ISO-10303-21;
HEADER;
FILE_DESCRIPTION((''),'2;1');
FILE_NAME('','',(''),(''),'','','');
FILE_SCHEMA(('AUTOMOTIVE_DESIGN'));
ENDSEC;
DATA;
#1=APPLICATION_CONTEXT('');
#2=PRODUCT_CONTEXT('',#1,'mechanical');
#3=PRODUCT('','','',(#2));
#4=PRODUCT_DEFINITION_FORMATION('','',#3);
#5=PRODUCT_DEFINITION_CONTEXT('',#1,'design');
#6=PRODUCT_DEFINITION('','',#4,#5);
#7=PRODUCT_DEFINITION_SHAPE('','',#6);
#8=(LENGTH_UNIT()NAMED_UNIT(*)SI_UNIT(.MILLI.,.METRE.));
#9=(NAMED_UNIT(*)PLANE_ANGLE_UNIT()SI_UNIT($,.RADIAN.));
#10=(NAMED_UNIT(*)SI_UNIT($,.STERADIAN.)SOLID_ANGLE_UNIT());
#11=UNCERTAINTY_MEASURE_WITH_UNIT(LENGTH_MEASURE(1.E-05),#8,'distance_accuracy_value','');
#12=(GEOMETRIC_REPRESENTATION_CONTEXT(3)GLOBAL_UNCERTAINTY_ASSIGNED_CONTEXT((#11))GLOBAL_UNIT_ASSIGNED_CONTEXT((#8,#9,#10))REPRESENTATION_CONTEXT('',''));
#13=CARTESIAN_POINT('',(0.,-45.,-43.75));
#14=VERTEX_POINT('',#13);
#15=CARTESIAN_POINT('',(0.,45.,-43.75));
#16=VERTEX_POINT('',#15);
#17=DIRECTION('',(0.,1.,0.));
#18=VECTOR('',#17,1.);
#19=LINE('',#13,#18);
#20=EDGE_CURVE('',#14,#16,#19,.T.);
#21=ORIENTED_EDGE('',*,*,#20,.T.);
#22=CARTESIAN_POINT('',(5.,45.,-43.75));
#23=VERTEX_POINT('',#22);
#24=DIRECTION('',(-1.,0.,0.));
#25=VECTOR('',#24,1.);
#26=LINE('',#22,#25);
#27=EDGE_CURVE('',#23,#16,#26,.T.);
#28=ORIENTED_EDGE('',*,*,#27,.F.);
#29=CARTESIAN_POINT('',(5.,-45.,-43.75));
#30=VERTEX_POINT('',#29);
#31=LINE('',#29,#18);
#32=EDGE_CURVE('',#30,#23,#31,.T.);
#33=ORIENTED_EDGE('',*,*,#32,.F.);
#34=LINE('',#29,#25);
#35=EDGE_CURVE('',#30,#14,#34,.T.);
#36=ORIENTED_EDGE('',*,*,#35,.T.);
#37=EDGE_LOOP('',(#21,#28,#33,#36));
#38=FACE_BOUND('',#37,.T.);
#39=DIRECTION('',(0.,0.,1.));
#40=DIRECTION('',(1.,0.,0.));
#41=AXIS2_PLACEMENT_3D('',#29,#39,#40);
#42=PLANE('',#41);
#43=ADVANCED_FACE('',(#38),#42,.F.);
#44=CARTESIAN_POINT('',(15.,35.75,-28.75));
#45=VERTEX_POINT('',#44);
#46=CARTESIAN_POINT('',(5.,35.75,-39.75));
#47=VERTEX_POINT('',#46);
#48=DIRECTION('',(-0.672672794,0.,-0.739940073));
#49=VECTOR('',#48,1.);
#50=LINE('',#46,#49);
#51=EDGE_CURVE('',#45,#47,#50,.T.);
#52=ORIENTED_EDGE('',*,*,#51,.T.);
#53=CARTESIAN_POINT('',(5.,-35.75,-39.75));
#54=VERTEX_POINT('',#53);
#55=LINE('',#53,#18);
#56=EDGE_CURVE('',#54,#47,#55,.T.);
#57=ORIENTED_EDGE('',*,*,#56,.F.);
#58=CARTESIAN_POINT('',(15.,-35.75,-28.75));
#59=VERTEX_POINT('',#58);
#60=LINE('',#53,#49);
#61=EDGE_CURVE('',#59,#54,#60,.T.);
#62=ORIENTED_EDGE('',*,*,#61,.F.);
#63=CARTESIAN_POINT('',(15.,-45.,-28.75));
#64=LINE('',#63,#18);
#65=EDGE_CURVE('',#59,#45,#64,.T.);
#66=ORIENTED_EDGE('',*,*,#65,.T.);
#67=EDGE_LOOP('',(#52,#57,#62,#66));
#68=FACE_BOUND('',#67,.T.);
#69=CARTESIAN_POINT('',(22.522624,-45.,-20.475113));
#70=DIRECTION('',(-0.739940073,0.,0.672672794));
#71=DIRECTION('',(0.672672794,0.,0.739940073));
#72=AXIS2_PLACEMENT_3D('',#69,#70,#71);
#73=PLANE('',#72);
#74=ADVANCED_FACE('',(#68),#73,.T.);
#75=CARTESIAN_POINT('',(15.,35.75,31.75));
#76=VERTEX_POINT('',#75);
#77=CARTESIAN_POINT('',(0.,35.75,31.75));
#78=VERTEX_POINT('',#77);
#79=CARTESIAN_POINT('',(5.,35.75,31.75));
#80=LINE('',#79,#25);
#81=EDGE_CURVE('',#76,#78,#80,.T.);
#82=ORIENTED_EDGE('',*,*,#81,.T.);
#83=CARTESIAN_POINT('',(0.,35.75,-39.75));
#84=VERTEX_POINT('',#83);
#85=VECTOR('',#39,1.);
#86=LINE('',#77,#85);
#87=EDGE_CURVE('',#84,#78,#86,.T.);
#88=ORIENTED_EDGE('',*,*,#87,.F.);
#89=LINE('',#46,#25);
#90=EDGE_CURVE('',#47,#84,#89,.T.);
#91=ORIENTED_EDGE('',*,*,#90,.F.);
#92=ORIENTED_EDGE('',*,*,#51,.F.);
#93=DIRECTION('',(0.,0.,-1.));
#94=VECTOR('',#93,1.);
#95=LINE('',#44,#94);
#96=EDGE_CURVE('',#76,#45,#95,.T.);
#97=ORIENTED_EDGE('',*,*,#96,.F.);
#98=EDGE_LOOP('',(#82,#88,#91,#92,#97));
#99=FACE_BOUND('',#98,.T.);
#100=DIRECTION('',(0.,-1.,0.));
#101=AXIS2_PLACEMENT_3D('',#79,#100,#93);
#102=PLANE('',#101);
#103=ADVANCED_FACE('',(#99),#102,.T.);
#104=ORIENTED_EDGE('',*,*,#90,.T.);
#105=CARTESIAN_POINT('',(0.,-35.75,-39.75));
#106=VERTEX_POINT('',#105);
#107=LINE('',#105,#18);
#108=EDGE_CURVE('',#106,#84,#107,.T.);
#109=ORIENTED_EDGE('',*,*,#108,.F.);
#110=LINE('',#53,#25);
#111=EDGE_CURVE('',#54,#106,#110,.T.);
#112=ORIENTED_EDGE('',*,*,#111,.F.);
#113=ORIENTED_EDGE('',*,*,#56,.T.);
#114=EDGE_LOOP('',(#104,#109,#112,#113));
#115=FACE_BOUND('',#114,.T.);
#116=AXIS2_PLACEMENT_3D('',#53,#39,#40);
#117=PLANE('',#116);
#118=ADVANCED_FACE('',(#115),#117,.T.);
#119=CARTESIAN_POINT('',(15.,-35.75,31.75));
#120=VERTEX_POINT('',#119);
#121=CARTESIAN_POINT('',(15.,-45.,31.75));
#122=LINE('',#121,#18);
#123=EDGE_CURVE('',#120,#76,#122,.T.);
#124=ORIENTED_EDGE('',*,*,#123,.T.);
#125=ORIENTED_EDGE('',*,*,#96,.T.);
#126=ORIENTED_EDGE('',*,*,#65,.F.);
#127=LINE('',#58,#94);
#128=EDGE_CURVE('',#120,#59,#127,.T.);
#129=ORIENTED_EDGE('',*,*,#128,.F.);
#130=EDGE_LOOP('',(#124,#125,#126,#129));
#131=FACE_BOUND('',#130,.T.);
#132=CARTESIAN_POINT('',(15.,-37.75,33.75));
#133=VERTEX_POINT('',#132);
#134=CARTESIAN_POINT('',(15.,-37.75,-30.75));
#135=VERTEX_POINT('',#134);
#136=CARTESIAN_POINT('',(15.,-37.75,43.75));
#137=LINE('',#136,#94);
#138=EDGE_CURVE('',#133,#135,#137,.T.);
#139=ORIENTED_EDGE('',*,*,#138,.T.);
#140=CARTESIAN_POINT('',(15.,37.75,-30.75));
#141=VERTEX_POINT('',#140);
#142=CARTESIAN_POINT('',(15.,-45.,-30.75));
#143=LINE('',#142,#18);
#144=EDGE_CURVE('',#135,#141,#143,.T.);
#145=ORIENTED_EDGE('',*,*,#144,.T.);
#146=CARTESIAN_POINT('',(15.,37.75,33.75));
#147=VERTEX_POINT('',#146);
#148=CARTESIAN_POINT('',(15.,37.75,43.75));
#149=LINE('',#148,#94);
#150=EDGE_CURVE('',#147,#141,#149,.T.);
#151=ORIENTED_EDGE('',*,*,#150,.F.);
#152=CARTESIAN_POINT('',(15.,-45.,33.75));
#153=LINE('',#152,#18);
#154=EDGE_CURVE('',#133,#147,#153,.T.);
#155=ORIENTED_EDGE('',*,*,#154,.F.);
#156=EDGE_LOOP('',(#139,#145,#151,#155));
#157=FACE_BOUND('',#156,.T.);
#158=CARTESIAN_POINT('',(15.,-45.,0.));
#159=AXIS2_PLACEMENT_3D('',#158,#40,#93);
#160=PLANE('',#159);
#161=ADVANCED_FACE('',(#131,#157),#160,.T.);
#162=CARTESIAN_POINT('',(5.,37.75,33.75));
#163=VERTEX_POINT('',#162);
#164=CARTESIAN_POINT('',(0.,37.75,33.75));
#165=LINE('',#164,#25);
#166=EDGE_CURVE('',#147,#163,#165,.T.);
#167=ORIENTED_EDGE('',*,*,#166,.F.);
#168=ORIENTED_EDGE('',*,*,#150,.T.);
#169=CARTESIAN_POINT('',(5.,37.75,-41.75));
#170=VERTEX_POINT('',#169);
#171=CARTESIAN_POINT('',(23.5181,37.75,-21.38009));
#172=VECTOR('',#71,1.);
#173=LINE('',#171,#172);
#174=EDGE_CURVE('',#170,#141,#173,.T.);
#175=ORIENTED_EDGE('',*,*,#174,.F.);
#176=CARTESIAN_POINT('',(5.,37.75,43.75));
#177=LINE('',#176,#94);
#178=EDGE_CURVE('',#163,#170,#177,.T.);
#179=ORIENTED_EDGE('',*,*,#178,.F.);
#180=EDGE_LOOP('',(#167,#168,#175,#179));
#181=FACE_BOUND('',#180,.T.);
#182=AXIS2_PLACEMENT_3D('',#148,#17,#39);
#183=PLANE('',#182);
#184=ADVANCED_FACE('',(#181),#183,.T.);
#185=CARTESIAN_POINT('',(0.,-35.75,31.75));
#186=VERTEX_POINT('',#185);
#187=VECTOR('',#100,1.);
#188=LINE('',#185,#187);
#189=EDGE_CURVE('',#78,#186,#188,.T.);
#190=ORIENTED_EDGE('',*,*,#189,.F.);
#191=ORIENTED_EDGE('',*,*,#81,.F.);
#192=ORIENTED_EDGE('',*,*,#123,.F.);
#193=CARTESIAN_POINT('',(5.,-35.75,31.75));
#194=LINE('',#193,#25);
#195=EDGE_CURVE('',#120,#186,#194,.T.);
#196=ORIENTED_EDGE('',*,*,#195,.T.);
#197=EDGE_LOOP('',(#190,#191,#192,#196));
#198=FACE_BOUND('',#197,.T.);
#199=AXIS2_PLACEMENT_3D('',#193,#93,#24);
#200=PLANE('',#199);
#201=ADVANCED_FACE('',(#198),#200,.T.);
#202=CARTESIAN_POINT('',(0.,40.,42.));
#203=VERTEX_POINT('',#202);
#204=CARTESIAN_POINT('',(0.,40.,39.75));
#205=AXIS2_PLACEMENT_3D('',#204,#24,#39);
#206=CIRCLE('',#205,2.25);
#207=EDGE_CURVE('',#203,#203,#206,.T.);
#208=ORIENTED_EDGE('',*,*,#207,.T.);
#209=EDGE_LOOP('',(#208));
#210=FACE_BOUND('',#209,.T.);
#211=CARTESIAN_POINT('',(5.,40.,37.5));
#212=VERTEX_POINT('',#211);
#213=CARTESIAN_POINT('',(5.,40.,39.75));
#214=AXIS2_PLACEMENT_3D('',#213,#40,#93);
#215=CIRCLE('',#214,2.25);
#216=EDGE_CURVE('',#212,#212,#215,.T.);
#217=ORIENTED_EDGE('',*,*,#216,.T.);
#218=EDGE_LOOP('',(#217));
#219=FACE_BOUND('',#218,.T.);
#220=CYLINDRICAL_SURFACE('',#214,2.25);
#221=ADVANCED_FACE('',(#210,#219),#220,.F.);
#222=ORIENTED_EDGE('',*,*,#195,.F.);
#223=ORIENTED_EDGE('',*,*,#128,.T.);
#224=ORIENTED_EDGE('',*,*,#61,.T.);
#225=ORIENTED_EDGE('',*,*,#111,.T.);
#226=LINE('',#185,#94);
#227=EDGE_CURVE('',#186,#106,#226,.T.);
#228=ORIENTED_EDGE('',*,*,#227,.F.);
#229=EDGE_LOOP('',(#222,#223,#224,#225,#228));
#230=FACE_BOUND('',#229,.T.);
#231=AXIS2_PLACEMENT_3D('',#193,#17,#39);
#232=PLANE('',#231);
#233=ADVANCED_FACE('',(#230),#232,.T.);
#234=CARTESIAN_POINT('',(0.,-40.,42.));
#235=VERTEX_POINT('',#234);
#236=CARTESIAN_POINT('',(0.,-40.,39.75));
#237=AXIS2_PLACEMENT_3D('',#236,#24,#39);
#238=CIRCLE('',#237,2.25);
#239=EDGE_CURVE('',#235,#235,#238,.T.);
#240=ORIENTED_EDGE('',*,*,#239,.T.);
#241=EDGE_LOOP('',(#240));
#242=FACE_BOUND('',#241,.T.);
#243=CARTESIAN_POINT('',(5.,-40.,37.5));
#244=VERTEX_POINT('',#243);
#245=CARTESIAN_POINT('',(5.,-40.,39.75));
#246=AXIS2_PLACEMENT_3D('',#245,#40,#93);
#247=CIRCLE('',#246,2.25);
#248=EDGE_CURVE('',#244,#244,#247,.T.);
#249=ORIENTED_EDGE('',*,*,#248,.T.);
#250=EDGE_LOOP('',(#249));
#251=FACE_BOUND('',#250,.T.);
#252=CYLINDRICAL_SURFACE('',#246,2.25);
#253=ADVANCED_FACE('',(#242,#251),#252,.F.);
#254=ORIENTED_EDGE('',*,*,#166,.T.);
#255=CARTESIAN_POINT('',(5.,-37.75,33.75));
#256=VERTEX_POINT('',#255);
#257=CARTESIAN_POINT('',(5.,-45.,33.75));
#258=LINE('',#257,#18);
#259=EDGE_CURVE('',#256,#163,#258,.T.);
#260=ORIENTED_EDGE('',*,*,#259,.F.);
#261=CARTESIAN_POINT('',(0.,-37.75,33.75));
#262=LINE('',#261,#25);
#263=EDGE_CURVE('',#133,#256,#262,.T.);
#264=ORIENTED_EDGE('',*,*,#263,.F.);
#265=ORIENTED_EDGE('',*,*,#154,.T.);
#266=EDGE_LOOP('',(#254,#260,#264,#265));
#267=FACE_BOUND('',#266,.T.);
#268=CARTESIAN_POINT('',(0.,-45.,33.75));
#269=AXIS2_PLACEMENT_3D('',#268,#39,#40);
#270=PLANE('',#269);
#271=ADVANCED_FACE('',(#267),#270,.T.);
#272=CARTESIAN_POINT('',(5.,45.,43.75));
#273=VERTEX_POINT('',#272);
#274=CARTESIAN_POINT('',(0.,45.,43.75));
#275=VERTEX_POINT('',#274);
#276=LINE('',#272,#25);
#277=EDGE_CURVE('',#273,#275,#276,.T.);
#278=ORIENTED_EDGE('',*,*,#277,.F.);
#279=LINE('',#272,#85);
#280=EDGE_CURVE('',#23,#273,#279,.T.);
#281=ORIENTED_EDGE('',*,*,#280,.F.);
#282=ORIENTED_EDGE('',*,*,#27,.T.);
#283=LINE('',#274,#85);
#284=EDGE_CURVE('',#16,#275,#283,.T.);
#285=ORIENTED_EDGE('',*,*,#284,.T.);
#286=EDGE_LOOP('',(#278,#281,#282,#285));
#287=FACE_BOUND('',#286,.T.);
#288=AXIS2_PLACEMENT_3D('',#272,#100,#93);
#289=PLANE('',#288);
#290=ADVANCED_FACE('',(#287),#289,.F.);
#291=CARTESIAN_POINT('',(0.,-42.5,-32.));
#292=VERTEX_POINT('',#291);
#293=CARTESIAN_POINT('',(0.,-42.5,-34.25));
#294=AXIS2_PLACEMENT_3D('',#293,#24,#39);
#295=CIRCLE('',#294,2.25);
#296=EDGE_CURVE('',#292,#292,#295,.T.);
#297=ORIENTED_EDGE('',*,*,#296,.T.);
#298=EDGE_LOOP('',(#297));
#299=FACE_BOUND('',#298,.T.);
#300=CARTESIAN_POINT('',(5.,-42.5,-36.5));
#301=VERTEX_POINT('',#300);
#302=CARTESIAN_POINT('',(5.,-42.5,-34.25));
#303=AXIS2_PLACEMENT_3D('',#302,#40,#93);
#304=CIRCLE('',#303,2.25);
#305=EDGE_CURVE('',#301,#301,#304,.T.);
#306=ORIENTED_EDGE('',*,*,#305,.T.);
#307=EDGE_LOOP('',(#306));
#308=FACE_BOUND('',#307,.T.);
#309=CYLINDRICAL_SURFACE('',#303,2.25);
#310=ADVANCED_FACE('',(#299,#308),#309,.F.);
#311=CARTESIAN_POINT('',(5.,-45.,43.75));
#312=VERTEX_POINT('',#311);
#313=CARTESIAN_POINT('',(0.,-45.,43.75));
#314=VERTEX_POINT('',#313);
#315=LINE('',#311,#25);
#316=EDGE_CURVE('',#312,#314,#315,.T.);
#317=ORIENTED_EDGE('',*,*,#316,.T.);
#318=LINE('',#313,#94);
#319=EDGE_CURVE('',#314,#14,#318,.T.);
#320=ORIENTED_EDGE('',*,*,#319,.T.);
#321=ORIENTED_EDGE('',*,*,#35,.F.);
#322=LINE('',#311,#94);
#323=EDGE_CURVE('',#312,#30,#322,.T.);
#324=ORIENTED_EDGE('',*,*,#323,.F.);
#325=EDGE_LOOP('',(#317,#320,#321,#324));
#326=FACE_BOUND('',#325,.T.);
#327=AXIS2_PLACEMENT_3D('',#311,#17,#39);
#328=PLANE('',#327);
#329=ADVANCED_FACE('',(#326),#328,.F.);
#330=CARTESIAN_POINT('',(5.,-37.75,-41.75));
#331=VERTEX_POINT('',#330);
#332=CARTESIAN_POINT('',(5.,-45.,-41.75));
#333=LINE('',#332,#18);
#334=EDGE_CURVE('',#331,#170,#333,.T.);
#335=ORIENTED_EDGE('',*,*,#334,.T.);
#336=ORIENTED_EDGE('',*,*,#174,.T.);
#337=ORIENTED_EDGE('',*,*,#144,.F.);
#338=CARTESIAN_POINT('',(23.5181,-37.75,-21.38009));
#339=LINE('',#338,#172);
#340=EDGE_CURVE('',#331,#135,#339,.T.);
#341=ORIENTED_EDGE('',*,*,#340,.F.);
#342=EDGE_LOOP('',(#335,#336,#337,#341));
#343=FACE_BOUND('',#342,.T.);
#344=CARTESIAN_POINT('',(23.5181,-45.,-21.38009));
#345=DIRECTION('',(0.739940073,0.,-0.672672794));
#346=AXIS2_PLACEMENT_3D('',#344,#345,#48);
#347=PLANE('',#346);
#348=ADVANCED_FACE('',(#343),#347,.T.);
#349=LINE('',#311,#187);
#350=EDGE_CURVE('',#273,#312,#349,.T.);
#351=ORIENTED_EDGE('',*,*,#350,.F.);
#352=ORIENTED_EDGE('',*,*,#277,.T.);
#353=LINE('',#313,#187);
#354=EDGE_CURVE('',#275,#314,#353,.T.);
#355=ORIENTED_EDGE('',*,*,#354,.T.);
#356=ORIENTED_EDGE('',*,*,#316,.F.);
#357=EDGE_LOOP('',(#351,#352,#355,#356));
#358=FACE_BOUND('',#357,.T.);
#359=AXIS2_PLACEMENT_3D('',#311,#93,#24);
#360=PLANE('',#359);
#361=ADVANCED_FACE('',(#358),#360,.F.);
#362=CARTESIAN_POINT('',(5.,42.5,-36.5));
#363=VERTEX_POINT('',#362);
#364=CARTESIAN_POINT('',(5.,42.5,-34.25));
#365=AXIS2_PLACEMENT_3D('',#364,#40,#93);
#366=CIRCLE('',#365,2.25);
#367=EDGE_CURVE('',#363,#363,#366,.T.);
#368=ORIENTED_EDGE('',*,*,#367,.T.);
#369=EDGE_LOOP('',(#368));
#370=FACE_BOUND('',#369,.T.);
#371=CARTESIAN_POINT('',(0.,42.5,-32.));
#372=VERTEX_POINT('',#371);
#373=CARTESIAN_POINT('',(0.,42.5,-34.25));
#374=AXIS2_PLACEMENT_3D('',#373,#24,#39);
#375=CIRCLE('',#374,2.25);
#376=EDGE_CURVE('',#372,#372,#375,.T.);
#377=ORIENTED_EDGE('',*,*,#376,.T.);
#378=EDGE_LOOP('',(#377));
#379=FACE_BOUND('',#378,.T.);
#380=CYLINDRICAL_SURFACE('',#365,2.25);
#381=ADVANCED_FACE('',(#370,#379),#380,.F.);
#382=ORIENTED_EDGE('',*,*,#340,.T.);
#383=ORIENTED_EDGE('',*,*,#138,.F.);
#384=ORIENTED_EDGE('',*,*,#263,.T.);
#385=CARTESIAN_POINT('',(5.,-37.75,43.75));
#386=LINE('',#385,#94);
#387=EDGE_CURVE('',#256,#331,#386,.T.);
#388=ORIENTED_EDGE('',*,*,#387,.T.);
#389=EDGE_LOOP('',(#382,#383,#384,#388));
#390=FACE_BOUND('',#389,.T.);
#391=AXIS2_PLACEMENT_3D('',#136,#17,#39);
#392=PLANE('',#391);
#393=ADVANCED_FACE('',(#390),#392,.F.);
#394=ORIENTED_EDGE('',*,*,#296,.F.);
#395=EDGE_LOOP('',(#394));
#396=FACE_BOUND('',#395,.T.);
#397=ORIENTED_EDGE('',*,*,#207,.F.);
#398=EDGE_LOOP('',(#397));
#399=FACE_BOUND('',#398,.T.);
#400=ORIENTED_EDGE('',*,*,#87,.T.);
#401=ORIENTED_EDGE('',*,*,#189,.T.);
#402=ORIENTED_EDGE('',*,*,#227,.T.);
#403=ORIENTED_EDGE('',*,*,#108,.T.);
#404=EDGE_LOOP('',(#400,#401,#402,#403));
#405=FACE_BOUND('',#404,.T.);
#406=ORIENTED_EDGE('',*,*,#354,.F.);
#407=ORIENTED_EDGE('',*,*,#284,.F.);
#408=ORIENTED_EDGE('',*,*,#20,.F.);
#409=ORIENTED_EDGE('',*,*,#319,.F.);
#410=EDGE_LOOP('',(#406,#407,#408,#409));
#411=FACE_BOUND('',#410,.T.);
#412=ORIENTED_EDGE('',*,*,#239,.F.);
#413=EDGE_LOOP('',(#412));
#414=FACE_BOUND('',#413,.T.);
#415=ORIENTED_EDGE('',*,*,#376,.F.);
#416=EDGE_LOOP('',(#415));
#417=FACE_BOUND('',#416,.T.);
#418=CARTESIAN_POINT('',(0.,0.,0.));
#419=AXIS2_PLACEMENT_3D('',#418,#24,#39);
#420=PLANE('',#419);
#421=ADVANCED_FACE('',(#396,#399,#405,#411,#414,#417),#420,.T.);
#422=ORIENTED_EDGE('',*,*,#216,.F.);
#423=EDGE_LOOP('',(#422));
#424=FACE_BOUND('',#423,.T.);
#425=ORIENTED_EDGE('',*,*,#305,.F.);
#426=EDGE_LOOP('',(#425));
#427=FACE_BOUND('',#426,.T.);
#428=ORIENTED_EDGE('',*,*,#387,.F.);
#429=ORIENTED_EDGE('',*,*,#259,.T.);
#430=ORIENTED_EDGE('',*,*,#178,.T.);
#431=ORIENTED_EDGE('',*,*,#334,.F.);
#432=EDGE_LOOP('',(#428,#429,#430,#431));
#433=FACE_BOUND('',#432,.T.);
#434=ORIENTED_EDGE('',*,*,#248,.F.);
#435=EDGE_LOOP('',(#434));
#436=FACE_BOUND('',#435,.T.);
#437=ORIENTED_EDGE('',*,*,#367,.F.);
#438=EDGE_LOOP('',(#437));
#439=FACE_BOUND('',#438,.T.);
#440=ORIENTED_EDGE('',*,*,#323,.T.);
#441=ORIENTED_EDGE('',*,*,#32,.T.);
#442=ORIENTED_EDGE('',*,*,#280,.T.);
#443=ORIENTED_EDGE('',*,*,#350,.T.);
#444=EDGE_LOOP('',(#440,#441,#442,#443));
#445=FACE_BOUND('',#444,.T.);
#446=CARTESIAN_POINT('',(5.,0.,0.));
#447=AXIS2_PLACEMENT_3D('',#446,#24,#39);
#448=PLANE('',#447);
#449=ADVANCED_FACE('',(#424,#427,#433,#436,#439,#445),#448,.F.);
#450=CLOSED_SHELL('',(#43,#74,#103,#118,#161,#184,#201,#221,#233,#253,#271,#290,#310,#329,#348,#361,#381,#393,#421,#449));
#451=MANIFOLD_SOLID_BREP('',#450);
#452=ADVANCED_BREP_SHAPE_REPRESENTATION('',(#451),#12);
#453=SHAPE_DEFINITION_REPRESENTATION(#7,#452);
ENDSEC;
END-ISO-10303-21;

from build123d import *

# Parameters (mm, degrees)
SKETCH1_W                     = 87.5
SKETCH1_H                     = 90
SKETCH1_W_2                   = 71.5
SKETCH1_H_2                   = 71.5
BOSS_EXTRUDE1_DEPTH           = 5
M4_CLEARANCE_HOLE1_AT_2_COUNT = 2
M4_CLEARANCE_HOLE1_AT_2_PITCH = 74.042217687
SKETCH5_W                     = 10
SKETCH5_H                     = 2
BOSS_EXTRUDE2_DEPTH           = 90
SKETCH6_W                     = 87.5
SKETCH6_H                     = 7.25
CUT_EXTRUDE1_DEPTH            = 10
BOSS_EXTRUDE3_DEPTH           = 2


with BuildPart() as part:
    # Sketch1 → Boss-Extrude1 (new body)
    with BuildSketch(Plane(origin=(0, 0, 0), x_dir=(0, 0, -1), z_dir=(1, 0, 0))):
        Rectangle(SKETCH1_W, SKETCH1_H)
        with Locations((4, 0)):
            Rectangle(SKETCH1_W_2, SKETCH1_H_2, mode=Mode.SUBTRACT)
    extrude(amount=BOSS_EXTRUDE1_DEPTH)

    # Sketch4 → M4 Clearance Hole1 (revolve, cut)
    with BuildSketch(Plane(origin=(5, 40, 39.75), x_dir=(0, 0, -1), z_dir=(0, 1, 0))):
        Polygon((0, 0), (0, 9.151936393), (2.25, 7.8), (2.25, 0), align=None)
    m4_clearance_hole1 = revolve(axis=Axis((11.35, 40, 39.75), (-1, 0, 0)), mode=Mode.SUBTRACT)

    # M4 Clearance Hole1 at 2: M4 Clearance Hole1 ×2
    with Locations(*[Vector(0, 0.0337645208112264, -0.9994298160123043) * (i * M4_CLEARANCE_HOLE1_AT_2_PITCH) for i in range(1, M4_CLEARANCE_HOLE1_AT_2_COUNT)]):
        add(m4_clearance_hole1, mode=Mode.SUBTRACT)

    # Mirror1: M4 Clearance Hole1 across plane
    add(m4_clearance_hole1.mirror(Plane.ZX), mode=Mode.SUBTRACT)

    # Mirror1 copy 1 sketch → Mirror1 copy 1 (revolve, cut)
    with BuildSketch(Plane(origin=(5, -42.5, -34.25), x_dir=(0, 0, -1), z_dir=(0, -1, 0))):
        Polygon((0, 0), (0, -9.151936393), (2.25, -7.8), (2.25, 0), align=None)
    revolve(axis=Axis((11.35, -42.5, -34.25), (1, 0, 0)), mode=Mode.SUBTRACT)

    # Sketch5 → Boss-Extrude2 (add)
    with BuildSketch(Plane(origin=(0, 45, 0), x_dir=(1, 0, 0), z_dir=(0, 1, 0))):
        with Locations((10, -32.75)):
            Rectangle(SKETCH5_W, SKETCH5_H)
        Polygon((5, 41.75), (5, 39.75), (15, 28.75), (15, 30.75), align=None)
    extrude(amount=-BOSS_EXTRUDE2_DEPTH)

    # Sketch6 → Cut-Extrude1 (cut)
    with BuildSketch(Plane(origin=(5, 0, 0), x_dir=(0, 0, -1), z_dir=(1, 0, 0))):
        with Locations((0, 41.375)):
            Rectangle(SKETCH6_W, SKETCH6_H)
    cut_extrude1 = extrude(amount=CUT_EXTRUDE1_DEPTH, mode=Mode.SUBTRACT)

    # Sketch8 → Boss-Extrude3 (add)
    with BuildSketch(Plane(origin=(0, 37.75, 0), x_dir=(1, 0, 0), z_dir=(0, 1, 0))):
        Polygon((15, 28.75), (15, -31.75), (5, -31.75), (5, 39.75), align=None)
    boss_extrude3 = extrude(amount=-BOSS_EXTRUDE3_DEPTH)

    # Mirror7: Cut-Extrude1, Boss-Extrude3 across plane
    add(cut_extrude1.mirror(Plane.ZX), mode=Mode.SUBTRACT)
    add(boss_extrude3.mirror(Plane.ZX))


solid = part.part
